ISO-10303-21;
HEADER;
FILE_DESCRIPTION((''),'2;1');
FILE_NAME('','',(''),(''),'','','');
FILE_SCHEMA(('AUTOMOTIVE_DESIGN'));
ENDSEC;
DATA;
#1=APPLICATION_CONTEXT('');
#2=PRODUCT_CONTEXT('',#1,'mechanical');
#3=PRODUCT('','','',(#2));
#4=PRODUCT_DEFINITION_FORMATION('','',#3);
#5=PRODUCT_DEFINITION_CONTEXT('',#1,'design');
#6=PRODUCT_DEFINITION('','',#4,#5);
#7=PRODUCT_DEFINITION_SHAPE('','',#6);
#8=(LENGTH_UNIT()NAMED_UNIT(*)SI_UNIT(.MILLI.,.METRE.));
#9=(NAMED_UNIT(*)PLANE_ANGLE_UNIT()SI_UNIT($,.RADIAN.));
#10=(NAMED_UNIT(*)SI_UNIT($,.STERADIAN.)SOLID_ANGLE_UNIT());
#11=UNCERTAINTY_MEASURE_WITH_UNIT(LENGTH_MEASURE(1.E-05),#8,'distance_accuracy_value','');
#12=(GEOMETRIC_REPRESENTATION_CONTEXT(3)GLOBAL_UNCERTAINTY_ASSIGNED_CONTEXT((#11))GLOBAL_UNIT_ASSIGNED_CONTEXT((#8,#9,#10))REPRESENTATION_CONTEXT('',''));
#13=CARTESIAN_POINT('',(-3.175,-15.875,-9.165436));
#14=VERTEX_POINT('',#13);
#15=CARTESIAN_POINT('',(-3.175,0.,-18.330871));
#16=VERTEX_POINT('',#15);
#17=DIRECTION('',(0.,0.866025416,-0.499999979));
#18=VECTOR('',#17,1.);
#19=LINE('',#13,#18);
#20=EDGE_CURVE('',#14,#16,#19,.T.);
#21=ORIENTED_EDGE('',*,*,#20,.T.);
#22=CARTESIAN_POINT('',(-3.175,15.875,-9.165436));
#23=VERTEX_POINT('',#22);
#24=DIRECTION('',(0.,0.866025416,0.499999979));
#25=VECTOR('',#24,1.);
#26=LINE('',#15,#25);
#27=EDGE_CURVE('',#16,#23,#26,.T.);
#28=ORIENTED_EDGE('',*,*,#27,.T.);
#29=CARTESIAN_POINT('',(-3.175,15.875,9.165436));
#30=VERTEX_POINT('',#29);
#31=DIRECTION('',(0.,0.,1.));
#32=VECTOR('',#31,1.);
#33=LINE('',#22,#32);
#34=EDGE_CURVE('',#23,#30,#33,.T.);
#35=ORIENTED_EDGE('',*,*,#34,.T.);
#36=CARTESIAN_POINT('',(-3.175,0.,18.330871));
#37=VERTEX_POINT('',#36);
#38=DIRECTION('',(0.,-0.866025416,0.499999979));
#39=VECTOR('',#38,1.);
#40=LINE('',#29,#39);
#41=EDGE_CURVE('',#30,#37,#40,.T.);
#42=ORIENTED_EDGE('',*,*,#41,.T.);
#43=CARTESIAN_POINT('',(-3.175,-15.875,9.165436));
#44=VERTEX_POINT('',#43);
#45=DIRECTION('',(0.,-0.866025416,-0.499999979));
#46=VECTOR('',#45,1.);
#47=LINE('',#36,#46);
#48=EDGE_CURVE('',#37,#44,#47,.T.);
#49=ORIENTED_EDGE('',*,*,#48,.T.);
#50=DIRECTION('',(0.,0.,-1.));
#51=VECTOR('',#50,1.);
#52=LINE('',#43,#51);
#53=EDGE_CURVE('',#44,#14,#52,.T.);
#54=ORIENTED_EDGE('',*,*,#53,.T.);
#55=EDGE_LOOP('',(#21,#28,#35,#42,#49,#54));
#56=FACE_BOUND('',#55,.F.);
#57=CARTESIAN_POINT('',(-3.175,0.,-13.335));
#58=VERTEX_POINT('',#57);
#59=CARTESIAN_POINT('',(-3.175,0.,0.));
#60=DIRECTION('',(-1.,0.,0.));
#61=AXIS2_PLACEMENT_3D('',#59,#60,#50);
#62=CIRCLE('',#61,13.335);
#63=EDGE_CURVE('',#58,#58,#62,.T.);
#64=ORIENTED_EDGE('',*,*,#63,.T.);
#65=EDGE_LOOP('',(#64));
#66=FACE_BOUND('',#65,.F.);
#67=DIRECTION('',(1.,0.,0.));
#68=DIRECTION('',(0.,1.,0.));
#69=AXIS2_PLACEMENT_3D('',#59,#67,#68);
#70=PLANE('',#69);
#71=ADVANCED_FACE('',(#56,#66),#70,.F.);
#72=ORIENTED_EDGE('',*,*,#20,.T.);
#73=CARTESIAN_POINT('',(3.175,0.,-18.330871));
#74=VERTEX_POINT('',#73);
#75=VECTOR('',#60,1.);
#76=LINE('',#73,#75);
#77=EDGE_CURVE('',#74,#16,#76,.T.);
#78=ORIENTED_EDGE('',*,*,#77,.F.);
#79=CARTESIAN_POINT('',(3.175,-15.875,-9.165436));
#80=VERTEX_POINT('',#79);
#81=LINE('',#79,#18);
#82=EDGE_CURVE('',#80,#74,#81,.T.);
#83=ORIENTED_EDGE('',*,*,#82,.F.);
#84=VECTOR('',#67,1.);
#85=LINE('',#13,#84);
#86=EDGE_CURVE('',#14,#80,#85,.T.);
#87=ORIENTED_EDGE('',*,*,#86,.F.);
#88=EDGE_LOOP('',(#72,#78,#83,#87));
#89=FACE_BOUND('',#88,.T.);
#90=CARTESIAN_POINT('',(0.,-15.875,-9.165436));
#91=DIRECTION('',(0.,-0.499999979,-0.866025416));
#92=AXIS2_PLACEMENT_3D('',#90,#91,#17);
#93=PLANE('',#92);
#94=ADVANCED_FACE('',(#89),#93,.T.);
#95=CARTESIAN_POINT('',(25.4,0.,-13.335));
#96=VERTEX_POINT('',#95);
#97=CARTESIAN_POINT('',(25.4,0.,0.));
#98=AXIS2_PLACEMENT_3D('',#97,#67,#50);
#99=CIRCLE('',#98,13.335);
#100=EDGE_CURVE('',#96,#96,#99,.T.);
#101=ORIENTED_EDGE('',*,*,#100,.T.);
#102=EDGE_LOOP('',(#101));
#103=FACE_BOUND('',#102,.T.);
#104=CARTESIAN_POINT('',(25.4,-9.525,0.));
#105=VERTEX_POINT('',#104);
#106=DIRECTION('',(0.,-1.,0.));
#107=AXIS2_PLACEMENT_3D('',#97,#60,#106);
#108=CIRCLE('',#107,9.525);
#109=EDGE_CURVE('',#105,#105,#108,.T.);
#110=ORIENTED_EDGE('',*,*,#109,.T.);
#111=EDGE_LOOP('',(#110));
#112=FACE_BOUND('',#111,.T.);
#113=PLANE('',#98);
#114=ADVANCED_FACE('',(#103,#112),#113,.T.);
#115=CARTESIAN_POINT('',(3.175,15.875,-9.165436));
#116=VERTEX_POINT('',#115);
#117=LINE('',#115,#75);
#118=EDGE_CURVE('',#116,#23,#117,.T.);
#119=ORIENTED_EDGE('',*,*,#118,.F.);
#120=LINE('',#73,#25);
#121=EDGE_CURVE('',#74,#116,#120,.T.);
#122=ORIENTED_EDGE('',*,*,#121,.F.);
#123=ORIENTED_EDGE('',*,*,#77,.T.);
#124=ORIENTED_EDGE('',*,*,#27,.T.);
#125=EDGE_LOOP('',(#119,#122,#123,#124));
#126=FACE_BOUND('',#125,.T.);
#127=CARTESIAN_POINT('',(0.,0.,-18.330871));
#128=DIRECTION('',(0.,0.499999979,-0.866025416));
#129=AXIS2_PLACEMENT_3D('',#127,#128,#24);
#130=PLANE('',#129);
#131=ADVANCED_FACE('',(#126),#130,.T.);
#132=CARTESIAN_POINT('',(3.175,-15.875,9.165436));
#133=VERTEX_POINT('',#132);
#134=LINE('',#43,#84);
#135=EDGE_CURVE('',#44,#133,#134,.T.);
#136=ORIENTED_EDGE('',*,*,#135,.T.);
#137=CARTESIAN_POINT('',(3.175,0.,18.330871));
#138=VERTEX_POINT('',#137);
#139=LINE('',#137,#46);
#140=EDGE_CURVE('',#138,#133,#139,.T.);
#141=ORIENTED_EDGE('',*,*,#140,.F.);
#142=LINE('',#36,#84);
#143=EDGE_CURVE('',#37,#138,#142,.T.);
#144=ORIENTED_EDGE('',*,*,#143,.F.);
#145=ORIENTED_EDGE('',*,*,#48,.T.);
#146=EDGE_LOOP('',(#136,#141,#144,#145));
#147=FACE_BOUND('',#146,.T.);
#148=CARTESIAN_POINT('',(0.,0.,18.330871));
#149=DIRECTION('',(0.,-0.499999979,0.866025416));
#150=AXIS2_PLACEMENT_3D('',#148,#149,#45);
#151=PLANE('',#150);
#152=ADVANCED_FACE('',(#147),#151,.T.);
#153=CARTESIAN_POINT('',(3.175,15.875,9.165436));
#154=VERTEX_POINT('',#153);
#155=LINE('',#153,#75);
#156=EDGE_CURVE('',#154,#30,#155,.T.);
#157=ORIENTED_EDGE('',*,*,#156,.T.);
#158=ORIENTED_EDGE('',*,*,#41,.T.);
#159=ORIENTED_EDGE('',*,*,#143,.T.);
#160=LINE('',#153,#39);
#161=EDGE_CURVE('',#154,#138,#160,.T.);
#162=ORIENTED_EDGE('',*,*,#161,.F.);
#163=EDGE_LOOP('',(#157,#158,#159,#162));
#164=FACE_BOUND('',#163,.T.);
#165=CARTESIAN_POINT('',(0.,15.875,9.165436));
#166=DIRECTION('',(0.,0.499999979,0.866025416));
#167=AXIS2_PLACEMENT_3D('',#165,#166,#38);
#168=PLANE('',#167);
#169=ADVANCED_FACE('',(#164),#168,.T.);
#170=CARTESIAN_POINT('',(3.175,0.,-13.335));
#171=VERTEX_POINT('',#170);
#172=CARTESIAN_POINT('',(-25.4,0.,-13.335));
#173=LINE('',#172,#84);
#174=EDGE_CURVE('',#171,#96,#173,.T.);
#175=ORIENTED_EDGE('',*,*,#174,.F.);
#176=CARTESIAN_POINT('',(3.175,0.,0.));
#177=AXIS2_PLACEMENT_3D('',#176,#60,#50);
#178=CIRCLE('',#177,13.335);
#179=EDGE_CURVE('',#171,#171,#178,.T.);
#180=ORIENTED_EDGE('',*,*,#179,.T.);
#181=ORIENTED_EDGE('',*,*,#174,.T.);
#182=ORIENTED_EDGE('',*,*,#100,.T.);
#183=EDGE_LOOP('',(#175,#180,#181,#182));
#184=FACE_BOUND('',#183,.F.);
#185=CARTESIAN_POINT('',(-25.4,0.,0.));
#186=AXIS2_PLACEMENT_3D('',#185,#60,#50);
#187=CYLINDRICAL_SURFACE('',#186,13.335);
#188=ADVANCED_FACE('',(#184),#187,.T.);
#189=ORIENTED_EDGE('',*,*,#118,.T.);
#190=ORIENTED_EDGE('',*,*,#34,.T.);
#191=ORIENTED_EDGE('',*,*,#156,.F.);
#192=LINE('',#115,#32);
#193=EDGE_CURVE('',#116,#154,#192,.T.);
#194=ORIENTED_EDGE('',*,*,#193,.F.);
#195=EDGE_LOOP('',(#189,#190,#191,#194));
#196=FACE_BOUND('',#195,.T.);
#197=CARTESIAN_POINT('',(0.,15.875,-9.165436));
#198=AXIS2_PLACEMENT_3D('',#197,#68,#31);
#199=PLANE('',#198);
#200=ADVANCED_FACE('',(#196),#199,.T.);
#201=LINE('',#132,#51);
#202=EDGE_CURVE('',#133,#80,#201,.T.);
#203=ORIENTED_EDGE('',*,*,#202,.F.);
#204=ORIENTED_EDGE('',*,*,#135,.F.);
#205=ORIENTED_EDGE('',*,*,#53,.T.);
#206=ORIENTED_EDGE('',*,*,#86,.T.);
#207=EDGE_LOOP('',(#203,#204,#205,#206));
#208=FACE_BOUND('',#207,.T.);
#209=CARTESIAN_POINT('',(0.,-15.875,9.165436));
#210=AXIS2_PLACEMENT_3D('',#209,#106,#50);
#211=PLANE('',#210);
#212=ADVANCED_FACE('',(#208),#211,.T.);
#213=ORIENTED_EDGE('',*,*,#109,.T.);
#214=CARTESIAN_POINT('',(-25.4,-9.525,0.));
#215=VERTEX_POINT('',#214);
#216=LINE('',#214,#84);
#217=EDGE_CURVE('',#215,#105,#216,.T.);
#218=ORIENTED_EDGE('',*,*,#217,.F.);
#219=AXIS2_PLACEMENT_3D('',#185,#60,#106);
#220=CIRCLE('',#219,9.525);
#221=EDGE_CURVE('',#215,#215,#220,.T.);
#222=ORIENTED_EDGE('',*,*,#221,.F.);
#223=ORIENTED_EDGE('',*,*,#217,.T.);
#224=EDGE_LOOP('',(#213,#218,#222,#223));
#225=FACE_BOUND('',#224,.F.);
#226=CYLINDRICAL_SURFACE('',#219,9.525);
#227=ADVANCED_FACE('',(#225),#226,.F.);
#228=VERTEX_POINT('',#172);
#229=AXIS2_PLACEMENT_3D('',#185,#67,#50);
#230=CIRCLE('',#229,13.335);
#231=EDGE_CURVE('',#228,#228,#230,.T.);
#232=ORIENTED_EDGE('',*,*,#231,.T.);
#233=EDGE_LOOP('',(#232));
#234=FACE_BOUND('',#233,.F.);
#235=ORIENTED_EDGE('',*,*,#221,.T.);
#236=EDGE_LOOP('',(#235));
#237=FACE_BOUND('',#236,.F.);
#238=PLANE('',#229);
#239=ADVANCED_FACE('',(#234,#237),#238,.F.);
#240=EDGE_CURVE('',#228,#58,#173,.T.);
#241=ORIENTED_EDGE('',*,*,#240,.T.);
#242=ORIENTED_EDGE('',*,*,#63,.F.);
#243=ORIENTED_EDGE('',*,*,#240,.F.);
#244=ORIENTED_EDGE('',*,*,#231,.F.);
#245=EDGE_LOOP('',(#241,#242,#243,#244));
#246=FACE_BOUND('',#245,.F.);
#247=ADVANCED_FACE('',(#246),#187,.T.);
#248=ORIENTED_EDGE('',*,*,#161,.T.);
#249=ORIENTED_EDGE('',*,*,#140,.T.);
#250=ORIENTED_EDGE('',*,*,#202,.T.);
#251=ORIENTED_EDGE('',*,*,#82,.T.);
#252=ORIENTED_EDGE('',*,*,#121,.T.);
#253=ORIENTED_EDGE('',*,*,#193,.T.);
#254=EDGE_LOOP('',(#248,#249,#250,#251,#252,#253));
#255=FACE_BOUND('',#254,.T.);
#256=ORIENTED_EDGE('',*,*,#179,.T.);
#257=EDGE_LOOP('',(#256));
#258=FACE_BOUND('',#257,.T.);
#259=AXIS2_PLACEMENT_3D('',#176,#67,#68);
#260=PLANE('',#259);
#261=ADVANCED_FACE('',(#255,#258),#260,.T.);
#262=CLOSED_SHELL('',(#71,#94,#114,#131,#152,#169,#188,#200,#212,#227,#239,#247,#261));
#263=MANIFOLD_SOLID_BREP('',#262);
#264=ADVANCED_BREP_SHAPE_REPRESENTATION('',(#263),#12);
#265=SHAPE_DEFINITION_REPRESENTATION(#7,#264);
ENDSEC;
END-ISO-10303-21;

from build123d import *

# Parameters (mm, degrees)
PAD_DEPTH            = 3.175
CYLINDER_R           = 13.335
CYLINDER_DEPTH       = 50.8
CYLINDER_PITCH_ANGLE = 90
SKETCH002_R          = 9.525
POCKET_DEPTH         = 50.801


with BuildPart() as pad:
    # Sketch001 → Pad (new body, symmetric)
    with BuildSketch(Plane.YZ):
        Polygon((15.875, 9.165436), (0, 18.330871), (-15.875, 9.165436), (-15.875, -9.165436), (0, -18.330871), (15.875, -9.165436), align=None)
    extrude(amount=PAD_DEPTH, both=True)


with BuildPart() as pocket:
    # Cylinder → Cylinder (new body)
    with BuildSketch(Plane.XY):
        Circle(CYLINDER_R)
    extrude(amount=CYLINDER_DEPTH)


with BuildPart() as pocket_1:
    # Cylinder pitch: moved
    add(pocket.part.rotate(Axis((0, 0, 0), (0, 1, 0)), CYLINDER_PITCH_ANGLE))


with BuildPart() as pocket_2:
    # Cylinder placement: moved
    add(pocket_1.part.moved(Location((-25.4, 0, 0))))

    # Fusion: union Pad
    add(pad.part)

    # Sketch002 → Pocket (cut, through all)
    with BuildSketch(Plane(origin=(-25.4, 0, 0), x_dir=(0, -1, 0), z_dir=(-1, 0, 0))):
        Circle(SKETCH002_R)
    extrude(amount=-POCKET_DEPTH, mode=Mode.SUBTRACT)


solid = pocket_2.part
